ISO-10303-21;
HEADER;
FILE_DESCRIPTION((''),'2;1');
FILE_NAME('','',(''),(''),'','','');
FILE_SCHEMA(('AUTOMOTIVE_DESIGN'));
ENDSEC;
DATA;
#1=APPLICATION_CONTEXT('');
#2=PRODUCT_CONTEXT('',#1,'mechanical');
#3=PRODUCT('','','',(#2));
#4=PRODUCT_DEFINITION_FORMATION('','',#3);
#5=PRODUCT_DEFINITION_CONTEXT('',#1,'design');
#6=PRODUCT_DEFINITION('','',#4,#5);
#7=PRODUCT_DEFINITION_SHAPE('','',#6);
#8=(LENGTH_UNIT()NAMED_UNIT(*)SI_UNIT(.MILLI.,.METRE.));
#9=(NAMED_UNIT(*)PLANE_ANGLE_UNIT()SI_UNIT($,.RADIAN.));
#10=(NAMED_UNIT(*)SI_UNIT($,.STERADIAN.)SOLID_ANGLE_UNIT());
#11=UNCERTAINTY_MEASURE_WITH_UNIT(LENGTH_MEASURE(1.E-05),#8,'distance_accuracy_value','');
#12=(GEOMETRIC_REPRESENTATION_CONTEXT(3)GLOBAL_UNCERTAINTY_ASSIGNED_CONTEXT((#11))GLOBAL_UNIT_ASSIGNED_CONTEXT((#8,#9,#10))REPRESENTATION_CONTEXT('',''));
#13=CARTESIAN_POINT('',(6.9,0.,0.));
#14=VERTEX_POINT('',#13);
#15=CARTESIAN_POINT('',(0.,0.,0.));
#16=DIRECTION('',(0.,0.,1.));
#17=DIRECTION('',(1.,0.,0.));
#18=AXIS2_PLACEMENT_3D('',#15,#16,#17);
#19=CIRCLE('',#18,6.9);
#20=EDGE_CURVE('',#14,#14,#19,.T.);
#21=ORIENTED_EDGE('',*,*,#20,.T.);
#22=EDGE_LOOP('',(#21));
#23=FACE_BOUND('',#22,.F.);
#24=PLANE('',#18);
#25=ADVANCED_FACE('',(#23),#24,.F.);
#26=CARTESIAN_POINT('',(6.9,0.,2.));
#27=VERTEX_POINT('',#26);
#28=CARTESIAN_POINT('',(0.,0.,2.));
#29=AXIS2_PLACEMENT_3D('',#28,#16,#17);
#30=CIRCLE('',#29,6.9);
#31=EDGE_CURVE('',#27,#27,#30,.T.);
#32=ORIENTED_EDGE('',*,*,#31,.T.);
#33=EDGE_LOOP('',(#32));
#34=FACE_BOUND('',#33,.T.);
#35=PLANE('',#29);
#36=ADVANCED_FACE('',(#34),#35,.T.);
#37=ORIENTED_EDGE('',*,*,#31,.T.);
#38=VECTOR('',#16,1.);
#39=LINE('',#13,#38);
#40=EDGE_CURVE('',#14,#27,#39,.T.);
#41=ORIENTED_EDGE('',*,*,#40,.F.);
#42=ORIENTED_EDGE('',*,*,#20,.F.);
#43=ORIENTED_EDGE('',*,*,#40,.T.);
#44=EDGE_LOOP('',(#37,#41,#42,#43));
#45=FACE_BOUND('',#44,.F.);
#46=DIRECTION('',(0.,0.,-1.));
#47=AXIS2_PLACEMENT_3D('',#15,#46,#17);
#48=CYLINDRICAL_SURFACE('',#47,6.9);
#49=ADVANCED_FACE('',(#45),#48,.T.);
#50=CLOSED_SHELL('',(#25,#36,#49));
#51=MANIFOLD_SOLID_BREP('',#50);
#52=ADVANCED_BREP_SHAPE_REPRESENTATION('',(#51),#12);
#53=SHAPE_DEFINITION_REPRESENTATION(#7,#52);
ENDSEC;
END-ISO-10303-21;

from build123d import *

# Parameters (mm, degrees)
SKETCH_R  = 6.9
PAD_DEPTH = 2


with BuildPart() as part:
    # Sketch → Pad (new body)
    with BuildSketch(Plane.XY):
        Circle(SKETCH_R)
    extrude(amount=PAD_DEPTH)


solid = part.part
